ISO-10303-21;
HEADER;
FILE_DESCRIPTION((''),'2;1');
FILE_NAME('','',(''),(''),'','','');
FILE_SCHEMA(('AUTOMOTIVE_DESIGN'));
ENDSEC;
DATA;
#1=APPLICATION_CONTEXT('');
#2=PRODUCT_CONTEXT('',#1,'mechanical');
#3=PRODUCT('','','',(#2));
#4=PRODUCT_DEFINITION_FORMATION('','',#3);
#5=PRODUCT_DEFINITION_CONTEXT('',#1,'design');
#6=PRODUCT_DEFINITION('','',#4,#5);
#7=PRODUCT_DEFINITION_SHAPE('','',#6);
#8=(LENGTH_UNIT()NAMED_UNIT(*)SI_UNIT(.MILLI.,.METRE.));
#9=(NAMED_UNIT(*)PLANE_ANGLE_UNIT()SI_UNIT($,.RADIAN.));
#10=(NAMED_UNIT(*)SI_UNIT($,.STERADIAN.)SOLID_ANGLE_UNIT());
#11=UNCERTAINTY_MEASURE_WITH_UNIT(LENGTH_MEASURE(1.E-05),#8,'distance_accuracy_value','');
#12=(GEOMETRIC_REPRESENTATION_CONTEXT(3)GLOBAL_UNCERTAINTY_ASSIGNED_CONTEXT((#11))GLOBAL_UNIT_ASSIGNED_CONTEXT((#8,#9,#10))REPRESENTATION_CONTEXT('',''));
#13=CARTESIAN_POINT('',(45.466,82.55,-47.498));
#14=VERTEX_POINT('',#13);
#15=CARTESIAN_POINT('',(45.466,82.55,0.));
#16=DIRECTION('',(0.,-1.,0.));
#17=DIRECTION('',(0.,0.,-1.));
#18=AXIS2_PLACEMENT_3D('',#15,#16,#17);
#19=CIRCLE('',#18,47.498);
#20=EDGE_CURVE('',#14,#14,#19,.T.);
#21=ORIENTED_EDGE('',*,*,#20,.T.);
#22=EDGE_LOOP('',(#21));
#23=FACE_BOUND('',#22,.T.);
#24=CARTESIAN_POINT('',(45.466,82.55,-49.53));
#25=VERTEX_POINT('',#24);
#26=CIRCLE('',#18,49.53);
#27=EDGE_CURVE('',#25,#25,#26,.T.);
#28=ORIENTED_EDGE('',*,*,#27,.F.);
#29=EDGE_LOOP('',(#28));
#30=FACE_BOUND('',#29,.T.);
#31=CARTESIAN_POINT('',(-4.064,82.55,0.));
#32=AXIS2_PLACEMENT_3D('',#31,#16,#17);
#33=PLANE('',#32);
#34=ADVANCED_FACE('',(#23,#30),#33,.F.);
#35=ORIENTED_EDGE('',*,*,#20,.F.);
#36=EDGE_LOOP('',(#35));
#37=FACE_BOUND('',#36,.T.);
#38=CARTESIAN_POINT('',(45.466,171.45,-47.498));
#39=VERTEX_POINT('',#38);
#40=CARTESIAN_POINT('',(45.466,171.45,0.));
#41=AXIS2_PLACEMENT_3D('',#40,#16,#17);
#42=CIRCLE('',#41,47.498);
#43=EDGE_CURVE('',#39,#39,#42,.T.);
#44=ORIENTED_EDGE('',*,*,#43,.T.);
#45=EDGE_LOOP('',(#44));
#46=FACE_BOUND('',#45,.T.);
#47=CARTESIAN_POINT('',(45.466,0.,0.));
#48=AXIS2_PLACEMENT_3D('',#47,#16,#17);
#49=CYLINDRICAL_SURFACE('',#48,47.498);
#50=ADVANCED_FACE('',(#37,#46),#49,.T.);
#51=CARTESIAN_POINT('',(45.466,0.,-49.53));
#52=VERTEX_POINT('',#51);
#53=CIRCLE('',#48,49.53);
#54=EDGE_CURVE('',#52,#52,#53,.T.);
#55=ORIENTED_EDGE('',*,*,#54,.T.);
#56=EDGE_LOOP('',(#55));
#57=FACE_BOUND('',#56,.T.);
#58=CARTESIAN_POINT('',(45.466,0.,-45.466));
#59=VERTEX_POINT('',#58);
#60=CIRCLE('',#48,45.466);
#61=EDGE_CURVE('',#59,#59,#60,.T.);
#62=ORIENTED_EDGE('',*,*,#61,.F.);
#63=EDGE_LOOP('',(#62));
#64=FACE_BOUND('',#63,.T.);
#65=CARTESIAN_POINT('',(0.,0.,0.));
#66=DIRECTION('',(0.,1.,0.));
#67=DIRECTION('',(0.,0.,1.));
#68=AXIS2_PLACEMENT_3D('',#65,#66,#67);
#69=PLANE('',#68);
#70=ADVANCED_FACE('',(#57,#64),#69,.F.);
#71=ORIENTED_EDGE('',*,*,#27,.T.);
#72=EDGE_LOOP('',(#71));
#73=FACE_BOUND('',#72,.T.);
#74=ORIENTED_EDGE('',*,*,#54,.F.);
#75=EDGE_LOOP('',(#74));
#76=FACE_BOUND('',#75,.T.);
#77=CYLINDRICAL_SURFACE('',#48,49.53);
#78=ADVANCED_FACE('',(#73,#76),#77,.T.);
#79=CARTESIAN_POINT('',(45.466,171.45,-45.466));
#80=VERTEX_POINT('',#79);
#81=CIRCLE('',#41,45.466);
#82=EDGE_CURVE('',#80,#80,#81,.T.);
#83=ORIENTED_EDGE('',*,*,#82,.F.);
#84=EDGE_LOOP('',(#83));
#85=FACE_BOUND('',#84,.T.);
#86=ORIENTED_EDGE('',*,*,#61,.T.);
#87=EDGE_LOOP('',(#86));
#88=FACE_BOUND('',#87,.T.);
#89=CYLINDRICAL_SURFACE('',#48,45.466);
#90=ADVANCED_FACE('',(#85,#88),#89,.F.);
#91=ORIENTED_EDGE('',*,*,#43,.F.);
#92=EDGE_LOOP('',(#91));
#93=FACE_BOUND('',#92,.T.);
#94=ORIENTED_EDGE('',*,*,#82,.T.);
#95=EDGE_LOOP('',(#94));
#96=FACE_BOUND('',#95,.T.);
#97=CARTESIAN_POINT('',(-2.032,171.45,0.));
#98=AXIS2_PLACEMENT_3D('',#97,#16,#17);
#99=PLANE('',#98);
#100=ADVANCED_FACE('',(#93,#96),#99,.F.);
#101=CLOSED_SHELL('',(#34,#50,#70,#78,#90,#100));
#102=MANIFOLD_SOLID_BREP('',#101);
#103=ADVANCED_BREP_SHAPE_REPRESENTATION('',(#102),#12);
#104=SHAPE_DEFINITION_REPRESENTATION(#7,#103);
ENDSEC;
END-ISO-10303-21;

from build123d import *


with BuildPart() as part:
    # Sketch2 → Revolve1 (revolve)
    with BuildSketch(Plane.XY):
        Polygon((-4.064, 0), (-4.064, 82.55), (-2.032, 82.55), (-2.032, 171.45), (0, 171.45), (0, 0), align=None)
    revolve(axis=Axis((45.466, 0, 0), (0, 1, 0)))


solid = part.part
